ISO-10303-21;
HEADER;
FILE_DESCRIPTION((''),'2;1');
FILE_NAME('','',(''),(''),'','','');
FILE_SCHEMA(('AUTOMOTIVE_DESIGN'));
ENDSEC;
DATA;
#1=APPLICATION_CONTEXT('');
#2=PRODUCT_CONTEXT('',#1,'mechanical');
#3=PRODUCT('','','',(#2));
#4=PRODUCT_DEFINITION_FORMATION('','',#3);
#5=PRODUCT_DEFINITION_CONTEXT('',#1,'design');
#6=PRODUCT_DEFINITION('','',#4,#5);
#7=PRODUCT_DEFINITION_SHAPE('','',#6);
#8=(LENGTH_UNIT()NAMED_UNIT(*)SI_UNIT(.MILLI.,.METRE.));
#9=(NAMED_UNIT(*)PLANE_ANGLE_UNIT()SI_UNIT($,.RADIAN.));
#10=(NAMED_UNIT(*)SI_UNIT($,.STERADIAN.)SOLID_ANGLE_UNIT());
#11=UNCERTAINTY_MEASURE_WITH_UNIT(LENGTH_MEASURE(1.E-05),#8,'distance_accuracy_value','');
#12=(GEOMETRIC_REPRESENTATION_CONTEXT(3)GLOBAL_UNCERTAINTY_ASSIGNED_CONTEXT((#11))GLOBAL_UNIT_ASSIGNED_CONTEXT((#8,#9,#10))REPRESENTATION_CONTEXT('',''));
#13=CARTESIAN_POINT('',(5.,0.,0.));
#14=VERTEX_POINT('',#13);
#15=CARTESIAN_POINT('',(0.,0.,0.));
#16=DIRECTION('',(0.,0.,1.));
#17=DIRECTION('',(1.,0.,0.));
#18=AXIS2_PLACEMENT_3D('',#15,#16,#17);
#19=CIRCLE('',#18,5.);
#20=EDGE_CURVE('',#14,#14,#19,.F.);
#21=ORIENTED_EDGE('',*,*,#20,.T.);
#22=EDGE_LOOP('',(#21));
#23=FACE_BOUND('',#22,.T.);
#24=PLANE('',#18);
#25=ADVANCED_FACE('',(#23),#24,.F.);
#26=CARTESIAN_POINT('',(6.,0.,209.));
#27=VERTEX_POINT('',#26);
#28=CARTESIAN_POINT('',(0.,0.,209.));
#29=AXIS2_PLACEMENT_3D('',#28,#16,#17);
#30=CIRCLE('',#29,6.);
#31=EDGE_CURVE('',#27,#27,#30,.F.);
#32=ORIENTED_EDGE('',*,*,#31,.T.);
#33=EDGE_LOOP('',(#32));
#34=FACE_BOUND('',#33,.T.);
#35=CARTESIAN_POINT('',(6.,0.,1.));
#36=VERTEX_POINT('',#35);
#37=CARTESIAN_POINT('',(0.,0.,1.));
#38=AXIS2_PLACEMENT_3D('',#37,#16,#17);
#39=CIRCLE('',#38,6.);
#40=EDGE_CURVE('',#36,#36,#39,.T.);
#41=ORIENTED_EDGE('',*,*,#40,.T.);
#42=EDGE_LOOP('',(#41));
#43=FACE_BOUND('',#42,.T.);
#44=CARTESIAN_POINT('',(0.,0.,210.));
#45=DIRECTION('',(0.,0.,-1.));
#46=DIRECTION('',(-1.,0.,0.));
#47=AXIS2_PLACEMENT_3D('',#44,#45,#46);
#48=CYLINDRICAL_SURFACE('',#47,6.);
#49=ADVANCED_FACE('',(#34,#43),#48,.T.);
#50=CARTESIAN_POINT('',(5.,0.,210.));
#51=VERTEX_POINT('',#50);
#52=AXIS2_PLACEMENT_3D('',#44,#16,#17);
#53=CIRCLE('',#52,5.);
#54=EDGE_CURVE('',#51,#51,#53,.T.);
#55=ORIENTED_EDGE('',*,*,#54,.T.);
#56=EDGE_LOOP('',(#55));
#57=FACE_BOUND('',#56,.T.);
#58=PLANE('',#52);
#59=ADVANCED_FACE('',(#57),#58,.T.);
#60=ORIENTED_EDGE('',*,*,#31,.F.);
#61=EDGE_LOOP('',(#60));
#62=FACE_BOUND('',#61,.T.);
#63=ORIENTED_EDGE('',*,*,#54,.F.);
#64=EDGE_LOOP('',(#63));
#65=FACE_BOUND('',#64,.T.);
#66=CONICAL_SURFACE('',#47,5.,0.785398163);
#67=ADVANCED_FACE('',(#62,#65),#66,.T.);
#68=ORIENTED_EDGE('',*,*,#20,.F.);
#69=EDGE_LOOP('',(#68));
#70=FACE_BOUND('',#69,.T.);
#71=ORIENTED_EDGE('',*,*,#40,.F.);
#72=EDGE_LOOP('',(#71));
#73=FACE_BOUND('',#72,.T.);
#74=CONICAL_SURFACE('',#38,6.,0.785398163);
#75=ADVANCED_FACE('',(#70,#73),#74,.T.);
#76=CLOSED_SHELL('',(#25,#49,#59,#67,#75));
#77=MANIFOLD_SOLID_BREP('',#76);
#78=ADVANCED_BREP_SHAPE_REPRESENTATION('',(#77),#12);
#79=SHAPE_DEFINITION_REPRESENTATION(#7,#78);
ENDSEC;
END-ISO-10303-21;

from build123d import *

# Parameters (mm, degrees)
SKETCH_1_R      = 6
EXTRUDE_1_DEPTH = 210
CHAMFER_1_SIZE  = 1


with BuildPart() as part:
    # Эскиз1 → Бобышка-Вытянуть1 (new body)
    with BuildSketch(Plane.XY):
        Circle(SKETCH_1_R)
    extrude(amount=EXTRUDE_1_DEPTH)

    # Фаска1
    chamfer_1_edges = [part.edges().sort_by_distance(p)[0] for p in [
        (-6, 0, 0),
        (-6, 0, 210),
    ]]
    chamfer(chamfer_1_edges, length=CHAMFER_1_SIZE)


solid = part.part
